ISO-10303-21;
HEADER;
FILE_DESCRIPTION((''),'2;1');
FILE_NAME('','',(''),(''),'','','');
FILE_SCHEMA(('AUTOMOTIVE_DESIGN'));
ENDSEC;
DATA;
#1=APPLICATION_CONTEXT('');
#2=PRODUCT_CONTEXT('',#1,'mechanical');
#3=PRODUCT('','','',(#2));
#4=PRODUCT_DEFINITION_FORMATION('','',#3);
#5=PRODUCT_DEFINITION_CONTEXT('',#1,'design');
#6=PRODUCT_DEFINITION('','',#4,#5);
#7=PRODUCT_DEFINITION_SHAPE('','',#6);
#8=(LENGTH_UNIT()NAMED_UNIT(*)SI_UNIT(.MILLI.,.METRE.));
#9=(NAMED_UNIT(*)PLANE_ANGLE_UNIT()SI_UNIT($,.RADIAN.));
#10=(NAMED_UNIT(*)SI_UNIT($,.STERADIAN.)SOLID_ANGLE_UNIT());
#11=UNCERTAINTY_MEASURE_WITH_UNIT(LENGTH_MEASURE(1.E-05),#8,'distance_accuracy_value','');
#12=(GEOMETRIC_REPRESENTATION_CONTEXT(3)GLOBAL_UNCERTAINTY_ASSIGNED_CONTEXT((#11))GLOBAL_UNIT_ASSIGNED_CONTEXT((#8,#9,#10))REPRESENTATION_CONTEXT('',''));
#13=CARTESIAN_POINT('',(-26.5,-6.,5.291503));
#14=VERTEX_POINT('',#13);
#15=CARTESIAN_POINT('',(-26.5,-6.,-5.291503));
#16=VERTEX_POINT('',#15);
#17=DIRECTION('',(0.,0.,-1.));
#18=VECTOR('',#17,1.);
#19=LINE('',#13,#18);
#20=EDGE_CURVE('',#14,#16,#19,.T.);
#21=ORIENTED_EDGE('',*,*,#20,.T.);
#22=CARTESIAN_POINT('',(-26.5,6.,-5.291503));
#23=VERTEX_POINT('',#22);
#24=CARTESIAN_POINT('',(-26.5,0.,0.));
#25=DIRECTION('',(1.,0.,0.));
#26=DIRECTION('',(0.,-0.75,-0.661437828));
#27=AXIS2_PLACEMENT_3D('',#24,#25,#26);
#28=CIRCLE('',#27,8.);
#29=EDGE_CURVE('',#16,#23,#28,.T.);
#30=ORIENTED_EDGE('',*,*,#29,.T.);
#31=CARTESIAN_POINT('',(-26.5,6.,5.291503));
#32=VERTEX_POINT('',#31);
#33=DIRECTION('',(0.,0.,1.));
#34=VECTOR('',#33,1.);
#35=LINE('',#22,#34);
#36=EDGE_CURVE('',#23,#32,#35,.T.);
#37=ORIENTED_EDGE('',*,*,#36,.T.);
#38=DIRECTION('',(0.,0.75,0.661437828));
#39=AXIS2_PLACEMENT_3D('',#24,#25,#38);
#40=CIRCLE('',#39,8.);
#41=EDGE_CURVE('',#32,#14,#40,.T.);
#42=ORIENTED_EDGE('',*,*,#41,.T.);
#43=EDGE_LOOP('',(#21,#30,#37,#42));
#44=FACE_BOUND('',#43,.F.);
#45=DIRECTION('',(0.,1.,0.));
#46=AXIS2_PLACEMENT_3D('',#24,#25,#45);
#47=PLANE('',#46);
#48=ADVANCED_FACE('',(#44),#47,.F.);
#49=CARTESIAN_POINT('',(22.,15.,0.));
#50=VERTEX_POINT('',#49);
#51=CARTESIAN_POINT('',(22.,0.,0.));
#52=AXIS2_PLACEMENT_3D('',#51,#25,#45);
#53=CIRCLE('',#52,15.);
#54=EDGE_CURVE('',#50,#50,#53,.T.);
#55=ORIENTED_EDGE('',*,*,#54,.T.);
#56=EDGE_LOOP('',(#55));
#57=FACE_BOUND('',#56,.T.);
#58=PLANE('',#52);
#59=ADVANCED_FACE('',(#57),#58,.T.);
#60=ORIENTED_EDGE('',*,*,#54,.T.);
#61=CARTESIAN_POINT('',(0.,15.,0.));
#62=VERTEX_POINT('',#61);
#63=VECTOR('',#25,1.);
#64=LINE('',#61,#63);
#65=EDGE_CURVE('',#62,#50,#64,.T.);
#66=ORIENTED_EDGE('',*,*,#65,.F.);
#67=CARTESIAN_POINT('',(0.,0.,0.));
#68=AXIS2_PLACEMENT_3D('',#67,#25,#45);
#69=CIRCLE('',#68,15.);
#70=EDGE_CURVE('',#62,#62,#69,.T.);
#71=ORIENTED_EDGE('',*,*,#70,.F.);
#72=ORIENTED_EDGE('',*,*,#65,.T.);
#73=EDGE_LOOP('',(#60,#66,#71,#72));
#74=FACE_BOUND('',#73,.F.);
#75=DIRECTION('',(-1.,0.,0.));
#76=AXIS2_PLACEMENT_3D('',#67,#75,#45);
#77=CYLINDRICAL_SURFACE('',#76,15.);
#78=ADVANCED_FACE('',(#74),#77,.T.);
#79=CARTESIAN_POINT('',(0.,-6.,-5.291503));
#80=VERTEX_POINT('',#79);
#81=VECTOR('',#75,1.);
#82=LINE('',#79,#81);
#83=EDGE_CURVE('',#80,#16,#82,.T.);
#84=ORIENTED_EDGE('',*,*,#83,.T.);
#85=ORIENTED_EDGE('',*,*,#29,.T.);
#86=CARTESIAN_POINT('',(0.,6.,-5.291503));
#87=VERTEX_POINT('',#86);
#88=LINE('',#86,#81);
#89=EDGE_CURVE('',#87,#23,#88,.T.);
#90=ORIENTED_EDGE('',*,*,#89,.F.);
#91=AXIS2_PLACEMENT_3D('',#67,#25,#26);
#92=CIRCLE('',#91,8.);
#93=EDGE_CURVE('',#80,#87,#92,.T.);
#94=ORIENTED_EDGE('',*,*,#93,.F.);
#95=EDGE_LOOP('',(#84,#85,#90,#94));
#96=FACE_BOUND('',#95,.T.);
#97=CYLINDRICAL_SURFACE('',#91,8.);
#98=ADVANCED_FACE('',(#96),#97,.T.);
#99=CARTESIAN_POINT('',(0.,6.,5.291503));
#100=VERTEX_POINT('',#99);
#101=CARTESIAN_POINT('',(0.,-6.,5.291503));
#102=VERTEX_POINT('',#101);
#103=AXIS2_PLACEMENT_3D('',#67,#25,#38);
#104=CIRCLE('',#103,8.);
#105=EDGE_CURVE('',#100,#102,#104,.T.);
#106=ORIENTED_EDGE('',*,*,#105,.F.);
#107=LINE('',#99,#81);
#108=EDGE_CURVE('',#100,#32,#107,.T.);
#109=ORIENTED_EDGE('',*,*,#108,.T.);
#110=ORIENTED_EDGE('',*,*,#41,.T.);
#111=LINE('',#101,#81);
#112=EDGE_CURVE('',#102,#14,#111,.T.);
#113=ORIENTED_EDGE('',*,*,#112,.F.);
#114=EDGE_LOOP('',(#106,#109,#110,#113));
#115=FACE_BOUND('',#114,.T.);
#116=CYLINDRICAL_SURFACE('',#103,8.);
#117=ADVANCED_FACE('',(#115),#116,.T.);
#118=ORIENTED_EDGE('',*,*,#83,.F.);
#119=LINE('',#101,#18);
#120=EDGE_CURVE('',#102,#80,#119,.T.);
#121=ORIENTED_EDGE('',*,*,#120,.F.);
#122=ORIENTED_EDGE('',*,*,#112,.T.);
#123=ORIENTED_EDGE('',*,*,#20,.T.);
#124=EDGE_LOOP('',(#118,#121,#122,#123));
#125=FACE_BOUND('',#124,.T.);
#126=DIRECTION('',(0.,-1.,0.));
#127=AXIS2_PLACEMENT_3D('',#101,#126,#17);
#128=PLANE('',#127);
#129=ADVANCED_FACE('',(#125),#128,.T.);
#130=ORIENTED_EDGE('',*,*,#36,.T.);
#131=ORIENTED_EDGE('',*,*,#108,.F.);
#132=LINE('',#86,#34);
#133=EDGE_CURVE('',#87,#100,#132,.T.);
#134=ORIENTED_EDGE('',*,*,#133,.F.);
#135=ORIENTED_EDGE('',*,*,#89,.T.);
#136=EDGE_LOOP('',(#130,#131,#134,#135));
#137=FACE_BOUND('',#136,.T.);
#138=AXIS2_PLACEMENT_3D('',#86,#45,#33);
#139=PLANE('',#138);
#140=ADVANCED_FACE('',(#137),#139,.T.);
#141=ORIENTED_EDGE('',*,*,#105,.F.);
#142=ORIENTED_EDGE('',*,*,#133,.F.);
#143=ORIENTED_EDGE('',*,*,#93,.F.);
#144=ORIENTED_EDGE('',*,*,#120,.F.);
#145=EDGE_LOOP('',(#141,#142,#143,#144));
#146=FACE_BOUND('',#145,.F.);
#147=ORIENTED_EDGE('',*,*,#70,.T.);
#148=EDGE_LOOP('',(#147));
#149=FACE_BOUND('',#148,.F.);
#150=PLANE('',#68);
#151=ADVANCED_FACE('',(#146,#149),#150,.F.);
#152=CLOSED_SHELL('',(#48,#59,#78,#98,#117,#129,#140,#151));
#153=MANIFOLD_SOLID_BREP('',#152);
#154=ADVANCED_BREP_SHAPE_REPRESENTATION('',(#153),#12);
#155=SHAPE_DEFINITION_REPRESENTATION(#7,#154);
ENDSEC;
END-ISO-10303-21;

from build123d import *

# Parameters (mm, degrees)
F0_R     = 15
F1_DEPTH = 22
F2_DEPTH = 26.5


with BuildPart() as f1:
    # F0 (on Right) → F1 (new body)
    with BuildSketch(Plane.YZ):
        Circle(F0_R)
        with BuildLine():
            ThreePointArc((6, -5.2915026221), (0, -8), (-6, -5.2915026221))
            Line((-6, -5.2915026221), (-6, 5.2915026221))
            ThreePointArc((-6, 5.2915026221), (0, 8), (6, 5.2915026221))
            Line((6, 5.2915026221), (6, -5.2915026221))
        make_face(mode=Mode.SUBTRACT)
        with BuildLine():
            Line((-6, 5.2915026221), (-6, -5.2915026221))
            ThreePointArc((-6, -5.2915026221), (0, -8), (6, -5.2915026221))
            Line((6, -5.2915026221), (6, 5.2915026221))
            ThreePointArc((6, 5.2915026221), (0, 8), (-6, 5.2915026221))
        make_face()
    extrude(amount=F1_DEPTH)

    # F0 (on Right) → F2 (join)
    with BuildSketch(Plane.YZ):
        with BuildLine():
            Line((-6, 5.2915026221), (-6, -5.2915026221))
            ThreePointArc((-6, -5.2915026221), (0, -8), (6, -5.2915026221))
            Line((6, -5.2915026221), (6, 5.2915026221))
            ThreePointArc((6, 5.2915026221), (0, 8), (-6, 5.2915026221))
        make_face()
    extrude(amount=-F2_DEPTH)


solid = f1.part
